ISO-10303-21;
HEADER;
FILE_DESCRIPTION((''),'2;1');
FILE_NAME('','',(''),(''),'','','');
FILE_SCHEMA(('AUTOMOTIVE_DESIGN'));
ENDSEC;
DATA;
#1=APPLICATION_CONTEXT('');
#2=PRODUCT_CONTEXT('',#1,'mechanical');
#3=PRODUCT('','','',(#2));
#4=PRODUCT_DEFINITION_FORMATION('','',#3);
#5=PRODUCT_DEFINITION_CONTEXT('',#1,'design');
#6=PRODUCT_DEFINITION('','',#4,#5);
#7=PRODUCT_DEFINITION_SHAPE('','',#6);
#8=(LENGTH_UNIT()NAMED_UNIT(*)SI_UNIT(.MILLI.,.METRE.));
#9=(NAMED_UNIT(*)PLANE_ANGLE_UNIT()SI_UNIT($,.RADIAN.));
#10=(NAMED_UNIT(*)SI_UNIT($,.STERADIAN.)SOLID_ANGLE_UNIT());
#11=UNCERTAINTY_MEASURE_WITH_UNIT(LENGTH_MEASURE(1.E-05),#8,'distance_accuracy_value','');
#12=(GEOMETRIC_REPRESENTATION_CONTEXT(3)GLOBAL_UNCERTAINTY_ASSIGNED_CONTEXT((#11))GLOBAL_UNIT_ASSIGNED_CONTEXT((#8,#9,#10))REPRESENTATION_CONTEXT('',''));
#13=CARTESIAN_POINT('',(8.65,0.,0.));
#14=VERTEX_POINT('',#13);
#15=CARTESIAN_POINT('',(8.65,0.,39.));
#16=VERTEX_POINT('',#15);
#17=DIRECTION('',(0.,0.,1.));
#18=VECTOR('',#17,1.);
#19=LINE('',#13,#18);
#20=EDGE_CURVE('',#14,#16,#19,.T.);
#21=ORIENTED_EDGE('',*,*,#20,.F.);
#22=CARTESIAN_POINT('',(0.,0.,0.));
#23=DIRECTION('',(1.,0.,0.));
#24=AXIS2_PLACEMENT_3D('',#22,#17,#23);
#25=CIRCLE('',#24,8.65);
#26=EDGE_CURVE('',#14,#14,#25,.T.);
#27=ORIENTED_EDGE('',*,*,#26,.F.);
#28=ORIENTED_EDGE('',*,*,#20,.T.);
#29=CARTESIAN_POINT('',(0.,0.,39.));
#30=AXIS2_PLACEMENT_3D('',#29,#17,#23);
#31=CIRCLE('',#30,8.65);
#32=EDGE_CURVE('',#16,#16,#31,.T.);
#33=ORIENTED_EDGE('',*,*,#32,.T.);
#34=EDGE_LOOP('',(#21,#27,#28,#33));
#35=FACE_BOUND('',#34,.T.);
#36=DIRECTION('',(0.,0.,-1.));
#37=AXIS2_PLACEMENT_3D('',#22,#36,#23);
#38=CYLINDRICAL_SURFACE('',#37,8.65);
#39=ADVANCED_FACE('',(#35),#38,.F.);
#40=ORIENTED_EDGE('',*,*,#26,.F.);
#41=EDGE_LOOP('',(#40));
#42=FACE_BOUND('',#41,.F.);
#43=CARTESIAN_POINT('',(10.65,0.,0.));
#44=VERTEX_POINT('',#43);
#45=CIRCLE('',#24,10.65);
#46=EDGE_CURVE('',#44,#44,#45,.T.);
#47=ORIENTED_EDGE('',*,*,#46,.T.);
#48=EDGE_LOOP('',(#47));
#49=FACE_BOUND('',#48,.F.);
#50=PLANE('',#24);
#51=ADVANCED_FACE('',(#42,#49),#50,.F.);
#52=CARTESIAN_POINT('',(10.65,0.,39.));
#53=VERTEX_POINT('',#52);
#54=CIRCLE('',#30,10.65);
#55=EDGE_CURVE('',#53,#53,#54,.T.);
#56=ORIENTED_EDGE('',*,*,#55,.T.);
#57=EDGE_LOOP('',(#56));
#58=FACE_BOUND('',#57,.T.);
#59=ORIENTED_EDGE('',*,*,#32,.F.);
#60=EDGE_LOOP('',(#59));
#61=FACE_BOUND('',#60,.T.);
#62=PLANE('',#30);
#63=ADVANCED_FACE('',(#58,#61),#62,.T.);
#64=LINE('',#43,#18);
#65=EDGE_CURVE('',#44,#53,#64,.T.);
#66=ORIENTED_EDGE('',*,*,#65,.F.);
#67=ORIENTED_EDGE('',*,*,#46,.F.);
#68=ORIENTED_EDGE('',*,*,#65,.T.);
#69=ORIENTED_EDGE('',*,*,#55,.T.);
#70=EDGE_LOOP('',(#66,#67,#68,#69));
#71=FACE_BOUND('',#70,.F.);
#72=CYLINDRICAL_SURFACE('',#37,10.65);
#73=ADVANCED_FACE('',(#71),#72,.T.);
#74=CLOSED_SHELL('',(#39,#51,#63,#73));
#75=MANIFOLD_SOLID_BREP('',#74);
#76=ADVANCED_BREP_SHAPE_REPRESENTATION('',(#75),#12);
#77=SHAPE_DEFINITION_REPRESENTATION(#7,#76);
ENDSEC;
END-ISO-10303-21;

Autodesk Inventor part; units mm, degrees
ref_plane "YZ Plane" through (0, 0, 0) normal (1, 0, 0) x (0, 1, 0)
ref_plane "Start Plane" through (0, 0, 0) normal (0, 0, 1) x (1, 0, 0)
ref_plane "End Plane" through (0, 0, 39) normal (0, 0, 1) x (1, 0, 0)
sketch "Sketch" plane through (0, 0, 0) normal (0, 0, 1) x (1, 0, 0)
  circle A0 centre (0, 0) radius 8.65
  circle A1 centre (0, 0) radius 10.65
  dimension "d0" = 21.3
  dimension "d1" = 2
extrude "Body" add sketch "Sketch" along normal up to surface (39 mm away) from surface at 0
sketch "Sketch3" plane through (0, 0, 0) normal (0, 0, 1) x (1, 0, 0)
  line L0 (0, 0) -> (10, 0)
ref_plane "Work Plane3" through (0, 0, 0) normal (0, -1, 0) x (1, 0, 0)
sketch "Sketch4" plane through (0, 0, 0) normal (0, -1, 0) x (1, 0, 0)
  line L0 (-2, 0) -> (12, 0)
  line L1 (-2, 39) -> (12, 39)
  dimension "d7" = 39
equation "\"d0\" = G_H"
equation "\"d1\" = G_T"
equation "\"d2\" = G_L"
equation "\"G_H\" = 21.3"
equation "\"G_T\" = 2"
equation "\"G_L\" = d7"
equation "\"G_OFFSET_START\" = 0"
equation "\"G_OFFSET_END\" = 0"
equation "\"d5\" = G_OFFSET_END + B_L"
equation "\"B_L\" = 39"
properties part number "ISO 10799-2 - 21.3x2.0 - 39" material "Steel, Mild"
